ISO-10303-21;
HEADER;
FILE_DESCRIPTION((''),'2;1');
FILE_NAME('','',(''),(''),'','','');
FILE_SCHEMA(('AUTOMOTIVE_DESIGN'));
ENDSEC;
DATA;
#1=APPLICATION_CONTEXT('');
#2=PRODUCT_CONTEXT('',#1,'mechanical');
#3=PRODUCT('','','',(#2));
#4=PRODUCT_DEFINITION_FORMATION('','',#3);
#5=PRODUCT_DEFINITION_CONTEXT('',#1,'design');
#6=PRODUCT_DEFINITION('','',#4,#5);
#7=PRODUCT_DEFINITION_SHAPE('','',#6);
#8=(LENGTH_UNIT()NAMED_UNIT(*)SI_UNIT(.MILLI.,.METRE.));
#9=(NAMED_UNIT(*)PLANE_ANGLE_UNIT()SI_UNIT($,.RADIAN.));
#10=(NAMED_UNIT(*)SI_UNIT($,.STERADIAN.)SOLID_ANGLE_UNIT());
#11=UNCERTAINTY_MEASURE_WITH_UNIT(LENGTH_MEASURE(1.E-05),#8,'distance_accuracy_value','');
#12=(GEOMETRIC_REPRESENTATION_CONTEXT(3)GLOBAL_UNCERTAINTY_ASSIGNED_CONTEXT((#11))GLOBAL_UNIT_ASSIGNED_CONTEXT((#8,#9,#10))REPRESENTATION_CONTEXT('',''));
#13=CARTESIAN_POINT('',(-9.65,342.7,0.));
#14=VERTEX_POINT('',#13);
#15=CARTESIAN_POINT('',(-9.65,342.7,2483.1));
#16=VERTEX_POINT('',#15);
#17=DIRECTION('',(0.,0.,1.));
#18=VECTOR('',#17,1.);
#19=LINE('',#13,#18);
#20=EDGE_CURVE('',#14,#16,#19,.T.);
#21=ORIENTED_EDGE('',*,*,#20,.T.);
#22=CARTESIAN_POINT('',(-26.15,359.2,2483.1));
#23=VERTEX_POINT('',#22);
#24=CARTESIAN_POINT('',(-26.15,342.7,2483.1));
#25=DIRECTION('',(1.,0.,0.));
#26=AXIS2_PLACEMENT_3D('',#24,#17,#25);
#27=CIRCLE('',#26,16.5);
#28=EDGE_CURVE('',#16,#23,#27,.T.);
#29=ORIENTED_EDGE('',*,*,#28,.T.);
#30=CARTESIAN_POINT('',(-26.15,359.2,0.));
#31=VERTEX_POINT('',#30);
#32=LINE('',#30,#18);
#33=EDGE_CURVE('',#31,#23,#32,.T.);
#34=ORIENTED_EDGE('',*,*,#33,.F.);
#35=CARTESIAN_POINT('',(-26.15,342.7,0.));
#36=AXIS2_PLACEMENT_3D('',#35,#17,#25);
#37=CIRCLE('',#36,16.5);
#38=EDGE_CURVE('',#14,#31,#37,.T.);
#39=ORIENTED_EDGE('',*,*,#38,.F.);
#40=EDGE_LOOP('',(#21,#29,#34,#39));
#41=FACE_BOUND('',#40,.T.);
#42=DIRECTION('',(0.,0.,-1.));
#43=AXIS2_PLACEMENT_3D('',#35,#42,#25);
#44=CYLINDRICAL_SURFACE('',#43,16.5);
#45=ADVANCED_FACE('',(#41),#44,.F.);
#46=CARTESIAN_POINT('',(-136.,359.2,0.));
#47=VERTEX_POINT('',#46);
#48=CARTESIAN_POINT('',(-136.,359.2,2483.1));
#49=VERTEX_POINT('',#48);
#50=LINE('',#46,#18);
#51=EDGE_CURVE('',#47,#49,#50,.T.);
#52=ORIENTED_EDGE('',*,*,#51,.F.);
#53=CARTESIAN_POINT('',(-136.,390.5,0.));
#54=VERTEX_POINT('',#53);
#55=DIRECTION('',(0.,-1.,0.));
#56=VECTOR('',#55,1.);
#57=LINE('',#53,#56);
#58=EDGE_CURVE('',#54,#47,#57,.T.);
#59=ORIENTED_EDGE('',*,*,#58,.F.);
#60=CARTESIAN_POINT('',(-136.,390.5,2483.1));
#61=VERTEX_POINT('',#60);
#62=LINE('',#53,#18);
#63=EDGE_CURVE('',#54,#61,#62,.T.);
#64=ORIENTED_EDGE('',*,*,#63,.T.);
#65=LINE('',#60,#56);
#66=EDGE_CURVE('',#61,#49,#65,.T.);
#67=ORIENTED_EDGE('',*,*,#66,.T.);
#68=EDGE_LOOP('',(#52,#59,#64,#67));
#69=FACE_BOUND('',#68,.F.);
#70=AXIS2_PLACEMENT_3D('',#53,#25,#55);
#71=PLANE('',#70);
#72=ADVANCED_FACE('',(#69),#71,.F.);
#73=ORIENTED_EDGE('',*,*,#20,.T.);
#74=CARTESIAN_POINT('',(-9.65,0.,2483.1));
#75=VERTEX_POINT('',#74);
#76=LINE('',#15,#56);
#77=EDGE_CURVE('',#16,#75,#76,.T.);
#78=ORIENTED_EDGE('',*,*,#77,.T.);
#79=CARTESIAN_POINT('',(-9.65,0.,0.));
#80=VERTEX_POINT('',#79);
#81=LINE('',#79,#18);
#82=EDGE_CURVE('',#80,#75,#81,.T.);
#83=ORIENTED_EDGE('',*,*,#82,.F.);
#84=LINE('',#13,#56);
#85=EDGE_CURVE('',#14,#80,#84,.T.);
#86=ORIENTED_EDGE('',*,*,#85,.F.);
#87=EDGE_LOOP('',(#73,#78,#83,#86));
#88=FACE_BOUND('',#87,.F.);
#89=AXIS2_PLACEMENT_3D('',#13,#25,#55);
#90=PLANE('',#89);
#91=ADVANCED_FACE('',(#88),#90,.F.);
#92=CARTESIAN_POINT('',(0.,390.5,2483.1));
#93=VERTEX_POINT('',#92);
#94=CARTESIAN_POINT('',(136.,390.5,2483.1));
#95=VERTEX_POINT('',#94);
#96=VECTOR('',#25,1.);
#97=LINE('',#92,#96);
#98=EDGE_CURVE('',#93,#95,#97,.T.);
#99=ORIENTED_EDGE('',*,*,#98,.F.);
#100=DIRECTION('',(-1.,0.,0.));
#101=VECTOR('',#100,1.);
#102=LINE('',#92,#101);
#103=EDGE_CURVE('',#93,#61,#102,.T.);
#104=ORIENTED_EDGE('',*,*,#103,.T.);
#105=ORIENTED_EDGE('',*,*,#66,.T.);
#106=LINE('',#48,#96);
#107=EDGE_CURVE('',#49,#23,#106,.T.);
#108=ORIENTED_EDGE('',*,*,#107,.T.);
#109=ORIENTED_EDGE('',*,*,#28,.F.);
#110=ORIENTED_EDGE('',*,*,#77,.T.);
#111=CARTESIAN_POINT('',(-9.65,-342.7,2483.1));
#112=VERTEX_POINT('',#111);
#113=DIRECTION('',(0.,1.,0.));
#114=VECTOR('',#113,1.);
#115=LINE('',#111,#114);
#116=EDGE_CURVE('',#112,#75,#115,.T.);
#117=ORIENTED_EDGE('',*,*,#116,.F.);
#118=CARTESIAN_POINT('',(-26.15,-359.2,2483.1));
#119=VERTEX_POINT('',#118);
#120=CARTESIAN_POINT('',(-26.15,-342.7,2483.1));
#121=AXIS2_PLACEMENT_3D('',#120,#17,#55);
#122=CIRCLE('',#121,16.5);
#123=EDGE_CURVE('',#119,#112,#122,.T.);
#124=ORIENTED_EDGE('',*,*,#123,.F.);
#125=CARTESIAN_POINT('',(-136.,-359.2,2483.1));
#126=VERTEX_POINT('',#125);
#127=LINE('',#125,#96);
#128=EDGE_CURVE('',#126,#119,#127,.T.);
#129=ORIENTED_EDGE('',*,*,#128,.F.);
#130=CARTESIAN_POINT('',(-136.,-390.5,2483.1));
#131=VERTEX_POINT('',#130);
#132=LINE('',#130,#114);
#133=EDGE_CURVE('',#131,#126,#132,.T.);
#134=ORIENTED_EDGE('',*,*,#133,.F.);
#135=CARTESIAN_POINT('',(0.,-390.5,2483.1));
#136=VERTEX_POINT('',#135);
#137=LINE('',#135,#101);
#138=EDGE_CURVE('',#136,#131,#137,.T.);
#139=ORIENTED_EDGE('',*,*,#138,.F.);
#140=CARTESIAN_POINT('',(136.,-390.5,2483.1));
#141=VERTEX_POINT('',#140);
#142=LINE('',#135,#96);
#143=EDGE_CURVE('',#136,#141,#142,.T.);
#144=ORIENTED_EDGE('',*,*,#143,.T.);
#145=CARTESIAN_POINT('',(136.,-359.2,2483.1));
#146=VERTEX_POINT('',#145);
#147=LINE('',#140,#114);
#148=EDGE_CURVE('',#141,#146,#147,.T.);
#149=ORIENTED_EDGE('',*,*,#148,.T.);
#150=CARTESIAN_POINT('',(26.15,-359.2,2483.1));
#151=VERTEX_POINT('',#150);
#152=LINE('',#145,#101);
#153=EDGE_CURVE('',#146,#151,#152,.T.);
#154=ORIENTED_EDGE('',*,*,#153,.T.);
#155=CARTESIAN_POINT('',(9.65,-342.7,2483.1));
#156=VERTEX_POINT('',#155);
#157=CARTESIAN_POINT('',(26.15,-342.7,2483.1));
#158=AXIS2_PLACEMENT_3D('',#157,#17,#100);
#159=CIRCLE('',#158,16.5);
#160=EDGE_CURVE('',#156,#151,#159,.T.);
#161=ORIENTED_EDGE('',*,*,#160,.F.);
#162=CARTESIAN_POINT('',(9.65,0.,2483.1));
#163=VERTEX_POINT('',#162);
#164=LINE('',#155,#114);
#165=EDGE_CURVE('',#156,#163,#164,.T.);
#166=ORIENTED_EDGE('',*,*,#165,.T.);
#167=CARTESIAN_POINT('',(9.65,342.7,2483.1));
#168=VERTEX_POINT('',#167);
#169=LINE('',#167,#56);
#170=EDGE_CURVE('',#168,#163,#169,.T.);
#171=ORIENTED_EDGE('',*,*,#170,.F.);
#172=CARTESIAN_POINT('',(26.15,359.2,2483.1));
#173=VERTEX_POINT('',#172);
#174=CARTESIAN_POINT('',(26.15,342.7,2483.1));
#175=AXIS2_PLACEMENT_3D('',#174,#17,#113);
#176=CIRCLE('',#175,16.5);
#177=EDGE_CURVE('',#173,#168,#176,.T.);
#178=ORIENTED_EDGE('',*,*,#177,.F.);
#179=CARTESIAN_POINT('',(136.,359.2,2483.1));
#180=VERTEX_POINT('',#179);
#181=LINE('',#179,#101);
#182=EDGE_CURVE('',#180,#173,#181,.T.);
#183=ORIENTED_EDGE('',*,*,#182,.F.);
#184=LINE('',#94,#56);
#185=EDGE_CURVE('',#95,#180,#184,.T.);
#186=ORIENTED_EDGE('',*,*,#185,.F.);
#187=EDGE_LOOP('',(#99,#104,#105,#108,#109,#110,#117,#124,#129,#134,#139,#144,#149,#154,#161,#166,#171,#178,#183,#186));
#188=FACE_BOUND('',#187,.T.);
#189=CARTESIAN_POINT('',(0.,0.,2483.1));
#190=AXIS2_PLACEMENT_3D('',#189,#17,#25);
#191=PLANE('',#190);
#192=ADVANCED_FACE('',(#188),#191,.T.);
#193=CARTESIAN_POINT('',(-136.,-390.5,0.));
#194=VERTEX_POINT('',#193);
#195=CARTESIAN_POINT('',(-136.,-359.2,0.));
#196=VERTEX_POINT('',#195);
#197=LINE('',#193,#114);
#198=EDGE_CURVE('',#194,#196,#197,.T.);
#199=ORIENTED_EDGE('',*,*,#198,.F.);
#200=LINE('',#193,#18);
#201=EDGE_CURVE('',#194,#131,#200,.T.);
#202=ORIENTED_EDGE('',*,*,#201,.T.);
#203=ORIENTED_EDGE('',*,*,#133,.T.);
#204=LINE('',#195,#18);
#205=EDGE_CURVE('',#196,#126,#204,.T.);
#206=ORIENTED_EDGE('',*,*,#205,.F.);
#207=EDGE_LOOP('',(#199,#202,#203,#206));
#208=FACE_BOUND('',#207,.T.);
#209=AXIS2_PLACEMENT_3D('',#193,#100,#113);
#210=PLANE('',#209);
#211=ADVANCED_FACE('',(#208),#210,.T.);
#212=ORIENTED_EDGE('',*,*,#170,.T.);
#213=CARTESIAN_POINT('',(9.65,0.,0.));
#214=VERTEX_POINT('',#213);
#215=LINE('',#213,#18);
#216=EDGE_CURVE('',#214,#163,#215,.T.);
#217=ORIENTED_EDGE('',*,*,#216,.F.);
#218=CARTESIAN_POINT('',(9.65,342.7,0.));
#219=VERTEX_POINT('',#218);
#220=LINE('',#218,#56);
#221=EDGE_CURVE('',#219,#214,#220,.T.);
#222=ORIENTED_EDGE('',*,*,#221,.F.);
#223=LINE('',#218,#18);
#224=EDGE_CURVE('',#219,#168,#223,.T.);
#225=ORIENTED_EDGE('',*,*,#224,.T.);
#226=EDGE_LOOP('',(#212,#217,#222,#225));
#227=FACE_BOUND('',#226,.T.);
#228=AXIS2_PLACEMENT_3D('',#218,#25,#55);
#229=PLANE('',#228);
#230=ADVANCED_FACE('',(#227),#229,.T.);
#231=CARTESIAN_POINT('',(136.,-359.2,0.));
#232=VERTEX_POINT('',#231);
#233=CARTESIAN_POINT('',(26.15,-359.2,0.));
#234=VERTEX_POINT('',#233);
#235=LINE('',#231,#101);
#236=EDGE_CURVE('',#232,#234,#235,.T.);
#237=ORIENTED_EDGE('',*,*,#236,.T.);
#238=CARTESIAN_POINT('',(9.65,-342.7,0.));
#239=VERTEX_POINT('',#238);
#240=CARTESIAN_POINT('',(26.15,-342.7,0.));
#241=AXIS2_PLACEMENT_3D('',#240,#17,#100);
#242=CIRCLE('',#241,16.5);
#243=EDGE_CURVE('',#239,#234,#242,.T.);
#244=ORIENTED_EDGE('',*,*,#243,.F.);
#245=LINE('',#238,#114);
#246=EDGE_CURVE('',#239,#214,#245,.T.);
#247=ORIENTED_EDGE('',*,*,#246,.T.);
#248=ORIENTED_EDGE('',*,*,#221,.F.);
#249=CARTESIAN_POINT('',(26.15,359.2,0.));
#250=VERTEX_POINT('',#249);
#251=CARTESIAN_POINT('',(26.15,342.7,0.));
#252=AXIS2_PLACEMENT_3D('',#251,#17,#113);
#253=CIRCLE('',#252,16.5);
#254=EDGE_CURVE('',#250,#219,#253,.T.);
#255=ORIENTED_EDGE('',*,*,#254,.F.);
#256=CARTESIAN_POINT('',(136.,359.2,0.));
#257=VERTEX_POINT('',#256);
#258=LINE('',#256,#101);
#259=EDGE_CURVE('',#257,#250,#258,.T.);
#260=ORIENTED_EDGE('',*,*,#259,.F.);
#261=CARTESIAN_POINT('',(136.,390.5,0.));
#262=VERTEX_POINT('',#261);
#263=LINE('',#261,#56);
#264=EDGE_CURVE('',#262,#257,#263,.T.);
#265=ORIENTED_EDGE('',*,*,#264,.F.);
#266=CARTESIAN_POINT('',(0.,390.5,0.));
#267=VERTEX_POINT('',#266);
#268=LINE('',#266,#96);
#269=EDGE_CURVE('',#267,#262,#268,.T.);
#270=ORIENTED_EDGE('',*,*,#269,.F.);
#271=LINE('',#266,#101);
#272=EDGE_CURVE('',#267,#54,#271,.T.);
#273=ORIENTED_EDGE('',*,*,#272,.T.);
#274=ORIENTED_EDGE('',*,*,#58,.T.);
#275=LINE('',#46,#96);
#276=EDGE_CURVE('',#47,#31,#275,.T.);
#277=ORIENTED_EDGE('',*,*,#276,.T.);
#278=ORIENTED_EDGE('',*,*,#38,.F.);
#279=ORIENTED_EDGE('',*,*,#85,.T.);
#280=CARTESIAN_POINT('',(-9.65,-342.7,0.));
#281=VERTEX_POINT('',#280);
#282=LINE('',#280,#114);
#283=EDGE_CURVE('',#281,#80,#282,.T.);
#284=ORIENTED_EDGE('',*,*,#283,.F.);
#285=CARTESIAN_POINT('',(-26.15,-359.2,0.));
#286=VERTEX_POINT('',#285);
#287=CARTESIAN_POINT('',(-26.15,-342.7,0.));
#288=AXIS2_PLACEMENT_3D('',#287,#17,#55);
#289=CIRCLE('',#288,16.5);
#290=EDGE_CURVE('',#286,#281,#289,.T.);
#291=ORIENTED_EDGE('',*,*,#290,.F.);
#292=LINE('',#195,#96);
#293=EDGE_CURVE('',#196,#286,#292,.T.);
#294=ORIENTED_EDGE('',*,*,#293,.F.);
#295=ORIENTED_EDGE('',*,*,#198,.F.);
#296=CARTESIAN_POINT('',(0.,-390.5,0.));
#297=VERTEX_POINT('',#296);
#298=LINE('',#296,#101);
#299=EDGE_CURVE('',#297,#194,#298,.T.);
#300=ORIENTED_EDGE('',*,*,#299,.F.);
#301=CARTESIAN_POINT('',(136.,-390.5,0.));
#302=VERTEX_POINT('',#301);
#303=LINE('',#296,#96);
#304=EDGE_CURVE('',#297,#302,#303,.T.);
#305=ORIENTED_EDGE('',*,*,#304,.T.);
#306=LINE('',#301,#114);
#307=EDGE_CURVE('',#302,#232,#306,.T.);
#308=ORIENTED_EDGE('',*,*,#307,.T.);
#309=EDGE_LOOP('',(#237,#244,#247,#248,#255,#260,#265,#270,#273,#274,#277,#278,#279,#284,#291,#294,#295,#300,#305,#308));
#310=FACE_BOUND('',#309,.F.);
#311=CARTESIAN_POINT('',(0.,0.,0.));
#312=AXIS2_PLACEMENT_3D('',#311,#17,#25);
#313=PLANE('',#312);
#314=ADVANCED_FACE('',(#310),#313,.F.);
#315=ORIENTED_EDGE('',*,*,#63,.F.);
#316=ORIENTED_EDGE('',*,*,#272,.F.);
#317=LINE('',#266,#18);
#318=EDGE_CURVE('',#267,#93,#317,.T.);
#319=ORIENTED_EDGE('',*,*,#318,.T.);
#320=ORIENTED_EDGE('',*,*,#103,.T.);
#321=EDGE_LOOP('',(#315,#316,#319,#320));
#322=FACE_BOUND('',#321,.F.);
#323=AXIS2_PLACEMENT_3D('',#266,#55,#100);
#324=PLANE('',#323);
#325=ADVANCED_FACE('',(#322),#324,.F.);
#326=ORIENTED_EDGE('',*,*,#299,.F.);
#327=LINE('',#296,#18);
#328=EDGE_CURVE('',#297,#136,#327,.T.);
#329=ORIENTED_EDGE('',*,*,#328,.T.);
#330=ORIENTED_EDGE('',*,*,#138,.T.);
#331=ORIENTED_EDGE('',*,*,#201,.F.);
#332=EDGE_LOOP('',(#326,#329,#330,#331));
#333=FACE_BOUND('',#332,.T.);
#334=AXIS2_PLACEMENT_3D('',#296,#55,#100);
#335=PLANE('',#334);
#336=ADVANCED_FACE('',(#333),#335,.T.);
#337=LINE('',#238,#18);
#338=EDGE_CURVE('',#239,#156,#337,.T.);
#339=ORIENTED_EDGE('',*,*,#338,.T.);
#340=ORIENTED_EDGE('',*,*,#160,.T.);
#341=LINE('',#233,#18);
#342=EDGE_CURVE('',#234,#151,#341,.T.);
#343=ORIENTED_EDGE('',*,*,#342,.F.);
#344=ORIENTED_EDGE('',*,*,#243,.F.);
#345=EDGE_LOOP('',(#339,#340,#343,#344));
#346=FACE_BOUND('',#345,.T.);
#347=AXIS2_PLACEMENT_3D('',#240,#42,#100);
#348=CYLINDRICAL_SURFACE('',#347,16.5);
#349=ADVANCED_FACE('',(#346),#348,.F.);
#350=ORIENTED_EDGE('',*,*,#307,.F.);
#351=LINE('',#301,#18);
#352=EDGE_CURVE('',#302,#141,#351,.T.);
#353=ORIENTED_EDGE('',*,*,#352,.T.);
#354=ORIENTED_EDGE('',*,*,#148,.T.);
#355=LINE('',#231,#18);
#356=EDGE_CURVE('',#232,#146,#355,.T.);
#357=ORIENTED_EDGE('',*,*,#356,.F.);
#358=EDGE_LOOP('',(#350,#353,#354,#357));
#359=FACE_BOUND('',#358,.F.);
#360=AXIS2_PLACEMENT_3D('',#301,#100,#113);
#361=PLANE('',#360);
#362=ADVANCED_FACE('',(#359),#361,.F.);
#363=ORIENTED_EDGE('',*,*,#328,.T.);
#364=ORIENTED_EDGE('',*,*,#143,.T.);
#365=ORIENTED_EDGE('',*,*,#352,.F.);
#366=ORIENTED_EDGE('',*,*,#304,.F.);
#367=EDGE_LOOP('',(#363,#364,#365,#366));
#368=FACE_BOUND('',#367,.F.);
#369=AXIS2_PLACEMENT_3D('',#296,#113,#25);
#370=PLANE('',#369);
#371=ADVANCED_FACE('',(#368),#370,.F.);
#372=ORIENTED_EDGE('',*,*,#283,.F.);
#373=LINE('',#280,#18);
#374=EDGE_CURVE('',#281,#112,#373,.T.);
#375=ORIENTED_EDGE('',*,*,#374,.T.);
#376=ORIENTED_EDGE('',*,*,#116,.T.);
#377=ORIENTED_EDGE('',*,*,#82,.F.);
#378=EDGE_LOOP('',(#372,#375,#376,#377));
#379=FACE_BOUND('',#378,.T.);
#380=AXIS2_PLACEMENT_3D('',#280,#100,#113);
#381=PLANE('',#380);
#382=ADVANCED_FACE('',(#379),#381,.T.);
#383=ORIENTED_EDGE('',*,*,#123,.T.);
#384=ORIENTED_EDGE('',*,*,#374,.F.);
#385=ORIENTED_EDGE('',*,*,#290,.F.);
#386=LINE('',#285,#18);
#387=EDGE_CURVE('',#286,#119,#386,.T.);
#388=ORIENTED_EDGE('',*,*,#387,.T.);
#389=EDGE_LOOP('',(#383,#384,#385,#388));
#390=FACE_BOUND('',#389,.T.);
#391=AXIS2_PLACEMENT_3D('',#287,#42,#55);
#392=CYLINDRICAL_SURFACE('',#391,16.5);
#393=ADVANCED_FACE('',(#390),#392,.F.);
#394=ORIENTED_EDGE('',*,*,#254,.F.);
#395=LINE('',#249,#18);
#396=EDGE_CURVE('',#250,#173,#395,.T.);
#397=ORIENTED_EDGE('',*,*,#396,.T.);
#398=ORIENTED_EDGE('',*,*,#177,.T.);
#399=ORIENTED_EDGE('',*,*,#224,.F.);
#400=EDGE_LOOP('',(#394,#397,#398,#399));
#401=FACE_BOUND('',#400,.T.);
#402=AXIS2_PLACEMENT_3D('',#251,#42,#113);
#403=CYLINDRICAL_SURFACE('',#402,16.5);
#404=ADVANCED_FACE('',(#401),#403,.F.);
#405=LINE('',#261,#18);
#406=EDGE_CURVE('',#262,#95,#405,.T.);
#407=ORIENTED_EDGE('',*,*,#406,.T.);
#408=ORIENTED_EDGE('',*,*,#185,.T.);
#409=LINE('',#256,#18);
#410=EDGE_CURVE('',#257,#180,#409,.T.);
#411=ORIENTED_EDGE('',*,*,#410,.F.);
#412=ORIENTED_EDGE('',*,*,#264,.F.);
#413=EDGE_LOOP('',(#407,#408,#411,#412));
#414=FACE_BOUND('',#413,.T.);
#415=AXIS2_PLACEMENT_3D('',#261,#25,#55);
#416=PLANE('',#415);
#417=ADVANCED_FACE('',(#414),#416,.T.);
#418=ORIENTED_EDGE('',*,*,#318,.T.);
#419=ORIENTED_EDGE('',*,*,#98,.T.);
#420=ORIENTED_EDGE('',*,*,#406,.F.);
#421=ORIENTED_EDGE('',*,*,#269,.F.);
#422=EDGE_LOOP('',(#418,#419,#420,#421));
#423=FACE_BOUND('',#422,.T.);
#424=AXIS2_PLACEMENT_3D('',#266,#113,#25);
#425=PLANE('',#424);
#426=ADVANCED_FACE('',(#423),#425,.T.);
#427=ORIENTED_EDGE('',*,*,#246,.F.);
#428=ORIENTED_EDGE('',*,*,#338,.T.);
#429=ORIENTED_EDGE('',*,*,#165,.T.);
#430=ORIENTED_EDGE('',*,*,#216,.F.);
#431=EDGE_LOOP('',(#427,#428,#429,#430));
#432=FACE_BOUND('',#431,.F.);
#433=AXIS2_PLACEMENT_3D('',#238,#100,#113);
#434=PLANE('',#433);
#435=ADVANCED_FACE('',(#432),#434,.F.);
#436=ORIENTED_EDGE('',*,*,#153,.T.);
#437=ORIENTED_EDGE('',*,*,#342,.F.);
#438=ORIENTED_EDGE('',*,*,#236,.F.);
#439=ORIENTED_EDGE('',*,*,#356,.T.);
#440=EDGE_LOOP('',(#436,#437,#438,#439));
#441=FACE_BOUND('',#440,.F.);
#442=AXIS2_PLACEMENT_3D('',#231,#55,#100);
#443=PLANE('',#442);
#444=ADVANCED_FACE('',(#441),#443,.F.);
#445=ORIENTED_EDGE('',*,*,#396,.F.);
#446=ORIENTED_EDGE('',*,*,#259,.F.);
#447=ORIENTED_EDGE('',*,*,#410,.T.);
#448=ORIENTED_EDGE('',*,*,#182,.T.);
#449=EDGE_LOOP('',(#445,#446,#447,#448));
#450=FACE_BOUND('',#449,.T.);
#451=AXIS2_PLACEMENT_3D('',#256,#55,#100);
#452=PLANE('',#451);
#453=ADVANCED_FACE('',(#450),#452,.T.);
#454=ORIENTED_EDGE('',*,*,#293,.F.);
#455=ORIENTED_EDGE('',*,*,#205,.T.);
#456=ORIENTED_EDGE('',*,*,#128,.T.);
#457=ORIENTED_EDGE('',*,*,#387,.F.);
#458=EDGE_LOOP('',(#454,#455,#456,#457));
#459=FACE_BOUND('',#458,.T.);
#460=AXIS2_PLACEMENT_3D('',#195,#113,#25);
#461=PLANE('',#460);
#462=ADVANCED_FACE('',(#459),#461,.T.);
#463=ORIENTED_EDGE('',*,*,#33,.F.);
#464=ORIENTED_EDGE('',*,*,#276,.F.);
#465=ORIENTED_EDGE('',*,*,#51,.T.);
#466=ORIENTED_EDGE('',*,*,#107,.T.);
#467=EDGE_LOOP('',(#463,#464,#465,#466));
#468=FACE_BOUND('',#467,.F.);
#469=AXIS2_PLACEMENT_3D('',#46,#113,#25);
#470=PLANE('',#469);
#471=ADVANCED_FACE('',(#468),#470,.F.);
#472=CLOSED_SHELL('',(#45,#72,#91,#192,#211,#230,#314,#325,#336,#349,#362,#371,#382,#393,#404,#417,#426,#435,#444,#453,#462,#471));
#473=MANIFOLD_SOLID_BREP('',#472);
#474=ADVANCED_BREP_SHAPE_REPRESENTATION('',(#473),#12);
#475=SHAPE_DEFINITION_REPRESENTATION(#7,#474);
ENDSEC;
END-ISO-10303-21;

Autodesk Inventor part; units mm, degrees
ref_plane "YZ Plane" through (0, 0, 0) normal (1, 0, 0) x (0, 1, 0)
ref_plane "Start plane" through (0, 0, 0) normal (0, 0, 1) x (1, 0, 0)
ref_plane "End plane" through (0, 0, 2483.1) normal (0, 0, 1) x (1, 0, 0)
sketch "Sketch" plane through (0, 0, 0) normal (0, 0, 1) x (1, 0, 0)
  line L0 (-136, -390.5) -> (-136, -359.2)
  line L1 (-136, -359.2) -> (-26.15, -359.2)
  line L2 (-9.65, -342.7) -> (-9.65, 0)
  line L3 (-9.65, 0) -> (0, 0) construction
  line L4 (0, 0) -> (0, -390.5) construction
  line L5 (0, -390.5) -> (-136, -390.5)
  line L6 (-60, 0) -> (80, 0) construction
  line L7 (0, -60) -> (0, 80) construction
  line L8 (136, -390.5) -> (136, -359.2)
  line L9 (136, -359.2) -> (26.15, -359.2)
  line L10 (9.65, -342.7) -> (9.65, 0)
  line L11 (9.65, 0) -> (0, 0) construction
  line L12 (0, -390.5) -> (136, -390.5)
  line L13 (-136, 390.5) -> (-136, 359.2)
  line L14 (-136, 359.2) -> (-26.15, 359.2)
  line L15 (-9.65, 342.7) -> (-9.65, 0)
  line L16 (0, 390.5) -> (-136, 390.5)
  line L17 (136, 390.5) -> (136, 359.2)
  line L18 (136, 359.2) -> (26.15, 359.2)
  line L19 (0, 390.5) -> (136, 390.5)
  line L20 (9.65, 342.7) -> (9.65, 0)
  arc A0 (-9.65, 342.7) -> (-26.15, 359.2) centre (-26.15, 342.7) ccw
  arc A1 (26.15, 359.2) -> (9.65, 342.7) centre (26.15, 342.7) ccw
  arc A2 (9.65, -342.7) -> (26.15, -359.2) centre (26.15, -342.7) ccw
  arc A3 (-26.15, -359.2) -> (-9.65, -342.7) centre (-26.15, -342.7) ccw
  line L21 (0, 108) -> (0, -88) construction
  line L22 (-88, 0) -> (108, 0) construction
  point P0 (-9.65, -359.2)
  point P1 (9.65, -359.2)
  point P2 (-9.65, 359.2)
  point P3 (9.65, 359.2)
  dimension "d1" = 390.5
  dimension "d2" = 31.3
  dimension "d3" = 136
  dimension "d4" = 9.65
  dimension "d10" = 16.5
extrude "Body" add sketch "Sketch" along normal up to surface (2483.1 mm away) from surface at 0
sketch "Sketch4" plane through (0, 0, 0) normal (0, 0, 1) x (1, 0, 0)
  line L0 (0, 0) -> (10, 0)
ref_plane "Work Plane3" through (0, 0, 0) normal (0, -1, 0) x (1, 0, 0)
sketch "Sketch5" plane through (0, 0, 0) normal (0, -1, 0) x (1, 0, 0)
  line L0 (-2, 0) -> (12, 0) projected
  line L1 (-2, 2483.1) -> (12, 2483.1) projected
  dimension "d14" = 2483.1
equation "\"d1\" = 0.5 * G_H"
equation "\"d2\" = G_T1"
equation "\"d3\" = 0.5 * G_W"
equation "\"d4\" = 0.5 * G_T"
equation "\"d10\" = G_IR"
equation "\"d5\" = G_L"
equation "\"G_W\" = 272"
equation "\"G_H\" = 781"
equation "\"G_T\" = 19.3"
equation "\"G_T1\" = 31.3"
equation "\"G_IR\" = 16.5"
equation "\"G_L\" = d14"
equation "\"G_OFFSET_START\" = 0"
equation "\"G_OFFSET_END\" = 0"
equation "\"d12\" = G_OFFSET_END + B_L"
equation "\"B_L\" = 2483.1"
properties part number "AS 3679-1990 - 760 UB - 244 - 2483.1" material "Steel, Mild"
